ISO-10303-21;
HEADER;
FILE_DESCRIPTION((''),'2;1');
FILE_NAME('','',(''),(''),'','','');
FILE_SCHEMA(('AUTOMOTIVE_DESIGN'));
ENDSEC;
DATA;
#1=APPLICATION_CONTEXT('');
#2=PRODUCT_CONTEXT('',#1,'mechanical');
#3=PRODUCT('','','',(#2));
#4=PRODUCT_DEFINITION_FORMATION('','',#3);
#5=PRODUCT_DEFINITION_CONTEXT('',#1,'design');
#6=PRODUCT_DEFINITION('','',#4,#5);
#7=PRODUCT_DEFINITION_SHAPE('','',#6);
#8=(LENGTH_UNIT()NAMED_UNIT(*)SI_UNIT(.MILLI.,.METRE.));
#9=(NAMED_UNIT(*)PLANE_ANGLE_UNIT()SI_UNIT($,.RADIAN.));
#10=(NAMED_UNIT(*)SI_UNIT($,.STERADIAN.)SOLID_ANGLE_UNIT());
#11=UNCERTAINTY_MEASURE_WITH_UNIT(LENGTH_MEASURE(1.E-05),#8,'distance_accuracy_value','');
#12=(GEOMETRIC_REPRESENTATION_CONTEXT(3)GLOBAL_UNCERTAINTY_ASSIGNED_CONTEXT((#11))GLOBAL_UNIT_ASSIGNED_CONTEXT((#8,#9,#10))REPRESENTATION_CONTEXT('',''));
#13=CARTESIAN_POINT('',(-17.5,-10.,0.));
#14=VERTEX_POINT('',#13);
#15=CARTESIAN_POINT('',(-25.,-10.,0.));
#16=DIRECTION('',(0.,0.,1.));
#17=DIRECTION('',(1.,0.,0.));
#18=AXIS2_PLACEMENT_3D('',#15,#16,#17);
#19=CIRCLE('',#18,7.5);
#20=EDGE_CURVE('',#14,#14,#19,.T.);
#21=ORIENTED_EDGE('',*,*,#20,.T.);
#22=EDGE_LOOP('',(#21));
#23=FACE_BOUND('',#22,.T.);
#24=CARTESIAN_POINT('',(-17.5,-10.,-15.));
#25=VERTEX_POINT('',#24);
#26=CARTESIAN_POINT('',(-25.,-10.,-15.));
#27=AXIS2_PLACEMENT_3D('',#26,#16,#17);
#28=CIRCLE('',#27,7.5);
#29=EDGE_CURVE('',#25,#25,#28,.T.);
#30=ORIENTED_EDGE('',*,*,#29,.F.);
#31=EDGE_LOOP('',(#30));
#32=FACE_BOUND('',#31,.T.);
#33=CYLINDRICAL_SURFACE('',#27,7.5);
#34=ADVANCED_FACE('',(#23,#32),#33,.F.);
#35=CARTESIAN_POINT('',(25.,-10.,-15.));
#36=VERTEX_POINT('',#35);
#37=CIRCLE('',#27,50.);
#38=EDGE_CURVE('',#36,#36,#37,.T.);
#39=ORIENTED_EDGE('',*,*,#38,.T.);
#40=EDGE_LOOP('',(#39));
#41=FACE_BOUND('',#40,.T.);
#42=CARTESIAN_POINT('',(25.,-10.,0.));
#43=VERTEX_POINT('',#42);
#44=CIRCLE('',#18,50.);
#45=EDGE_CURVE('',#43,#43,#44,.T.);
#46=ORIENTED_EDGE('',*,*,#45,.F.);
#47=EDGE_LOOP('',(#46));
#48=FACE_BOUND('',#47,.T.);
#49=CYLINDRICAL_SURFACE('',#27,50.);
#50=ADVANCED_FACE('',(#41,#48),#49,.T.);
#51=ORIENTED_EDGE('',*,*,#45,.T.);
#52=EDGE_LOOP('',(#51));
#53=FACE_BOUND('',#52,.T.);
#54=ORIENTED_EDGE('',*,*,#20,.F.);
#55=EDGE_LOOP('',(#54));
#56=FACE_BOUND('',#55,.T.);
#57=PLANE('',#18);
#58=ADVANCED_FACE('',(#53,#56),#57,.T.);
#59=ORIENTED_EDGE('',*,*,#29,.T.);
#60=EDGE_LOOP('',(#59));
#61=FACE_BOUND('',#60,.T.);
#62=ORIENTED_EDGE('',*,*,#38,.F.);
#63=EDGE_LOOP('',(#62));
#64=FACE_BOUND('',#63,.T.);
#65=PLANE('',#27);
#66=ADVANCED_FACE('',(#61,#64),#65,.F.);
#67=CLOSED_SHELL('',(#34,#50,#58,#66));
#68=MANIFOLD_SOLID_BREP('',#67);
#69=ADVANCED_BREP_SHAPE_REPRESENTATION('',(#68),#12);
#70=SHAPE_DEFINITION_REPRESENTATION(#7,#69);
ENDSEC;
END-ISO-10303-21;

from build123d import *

# Parameters (mm, degrees)
SKETCH1_R           = 50
SKETCH1_R_2         = 7.5
BOSS_EXTRUDE1_DEPTH = 15


with BuildPart() as part:
    # Sketch1 → Boss-Extrude1 (new body)
    with BuildSketch(Plane.XY):
        with Locations((-25, -10)):
            Circle(SKETCH1_R)
        with Locations((-25, -10)):
            Circle(SKETCH1_R_2, mode=Mode.SUBTRACT)
    extrude(amount=-BOSS_EXTRUDE1_DEPTH)


solid = part.part
